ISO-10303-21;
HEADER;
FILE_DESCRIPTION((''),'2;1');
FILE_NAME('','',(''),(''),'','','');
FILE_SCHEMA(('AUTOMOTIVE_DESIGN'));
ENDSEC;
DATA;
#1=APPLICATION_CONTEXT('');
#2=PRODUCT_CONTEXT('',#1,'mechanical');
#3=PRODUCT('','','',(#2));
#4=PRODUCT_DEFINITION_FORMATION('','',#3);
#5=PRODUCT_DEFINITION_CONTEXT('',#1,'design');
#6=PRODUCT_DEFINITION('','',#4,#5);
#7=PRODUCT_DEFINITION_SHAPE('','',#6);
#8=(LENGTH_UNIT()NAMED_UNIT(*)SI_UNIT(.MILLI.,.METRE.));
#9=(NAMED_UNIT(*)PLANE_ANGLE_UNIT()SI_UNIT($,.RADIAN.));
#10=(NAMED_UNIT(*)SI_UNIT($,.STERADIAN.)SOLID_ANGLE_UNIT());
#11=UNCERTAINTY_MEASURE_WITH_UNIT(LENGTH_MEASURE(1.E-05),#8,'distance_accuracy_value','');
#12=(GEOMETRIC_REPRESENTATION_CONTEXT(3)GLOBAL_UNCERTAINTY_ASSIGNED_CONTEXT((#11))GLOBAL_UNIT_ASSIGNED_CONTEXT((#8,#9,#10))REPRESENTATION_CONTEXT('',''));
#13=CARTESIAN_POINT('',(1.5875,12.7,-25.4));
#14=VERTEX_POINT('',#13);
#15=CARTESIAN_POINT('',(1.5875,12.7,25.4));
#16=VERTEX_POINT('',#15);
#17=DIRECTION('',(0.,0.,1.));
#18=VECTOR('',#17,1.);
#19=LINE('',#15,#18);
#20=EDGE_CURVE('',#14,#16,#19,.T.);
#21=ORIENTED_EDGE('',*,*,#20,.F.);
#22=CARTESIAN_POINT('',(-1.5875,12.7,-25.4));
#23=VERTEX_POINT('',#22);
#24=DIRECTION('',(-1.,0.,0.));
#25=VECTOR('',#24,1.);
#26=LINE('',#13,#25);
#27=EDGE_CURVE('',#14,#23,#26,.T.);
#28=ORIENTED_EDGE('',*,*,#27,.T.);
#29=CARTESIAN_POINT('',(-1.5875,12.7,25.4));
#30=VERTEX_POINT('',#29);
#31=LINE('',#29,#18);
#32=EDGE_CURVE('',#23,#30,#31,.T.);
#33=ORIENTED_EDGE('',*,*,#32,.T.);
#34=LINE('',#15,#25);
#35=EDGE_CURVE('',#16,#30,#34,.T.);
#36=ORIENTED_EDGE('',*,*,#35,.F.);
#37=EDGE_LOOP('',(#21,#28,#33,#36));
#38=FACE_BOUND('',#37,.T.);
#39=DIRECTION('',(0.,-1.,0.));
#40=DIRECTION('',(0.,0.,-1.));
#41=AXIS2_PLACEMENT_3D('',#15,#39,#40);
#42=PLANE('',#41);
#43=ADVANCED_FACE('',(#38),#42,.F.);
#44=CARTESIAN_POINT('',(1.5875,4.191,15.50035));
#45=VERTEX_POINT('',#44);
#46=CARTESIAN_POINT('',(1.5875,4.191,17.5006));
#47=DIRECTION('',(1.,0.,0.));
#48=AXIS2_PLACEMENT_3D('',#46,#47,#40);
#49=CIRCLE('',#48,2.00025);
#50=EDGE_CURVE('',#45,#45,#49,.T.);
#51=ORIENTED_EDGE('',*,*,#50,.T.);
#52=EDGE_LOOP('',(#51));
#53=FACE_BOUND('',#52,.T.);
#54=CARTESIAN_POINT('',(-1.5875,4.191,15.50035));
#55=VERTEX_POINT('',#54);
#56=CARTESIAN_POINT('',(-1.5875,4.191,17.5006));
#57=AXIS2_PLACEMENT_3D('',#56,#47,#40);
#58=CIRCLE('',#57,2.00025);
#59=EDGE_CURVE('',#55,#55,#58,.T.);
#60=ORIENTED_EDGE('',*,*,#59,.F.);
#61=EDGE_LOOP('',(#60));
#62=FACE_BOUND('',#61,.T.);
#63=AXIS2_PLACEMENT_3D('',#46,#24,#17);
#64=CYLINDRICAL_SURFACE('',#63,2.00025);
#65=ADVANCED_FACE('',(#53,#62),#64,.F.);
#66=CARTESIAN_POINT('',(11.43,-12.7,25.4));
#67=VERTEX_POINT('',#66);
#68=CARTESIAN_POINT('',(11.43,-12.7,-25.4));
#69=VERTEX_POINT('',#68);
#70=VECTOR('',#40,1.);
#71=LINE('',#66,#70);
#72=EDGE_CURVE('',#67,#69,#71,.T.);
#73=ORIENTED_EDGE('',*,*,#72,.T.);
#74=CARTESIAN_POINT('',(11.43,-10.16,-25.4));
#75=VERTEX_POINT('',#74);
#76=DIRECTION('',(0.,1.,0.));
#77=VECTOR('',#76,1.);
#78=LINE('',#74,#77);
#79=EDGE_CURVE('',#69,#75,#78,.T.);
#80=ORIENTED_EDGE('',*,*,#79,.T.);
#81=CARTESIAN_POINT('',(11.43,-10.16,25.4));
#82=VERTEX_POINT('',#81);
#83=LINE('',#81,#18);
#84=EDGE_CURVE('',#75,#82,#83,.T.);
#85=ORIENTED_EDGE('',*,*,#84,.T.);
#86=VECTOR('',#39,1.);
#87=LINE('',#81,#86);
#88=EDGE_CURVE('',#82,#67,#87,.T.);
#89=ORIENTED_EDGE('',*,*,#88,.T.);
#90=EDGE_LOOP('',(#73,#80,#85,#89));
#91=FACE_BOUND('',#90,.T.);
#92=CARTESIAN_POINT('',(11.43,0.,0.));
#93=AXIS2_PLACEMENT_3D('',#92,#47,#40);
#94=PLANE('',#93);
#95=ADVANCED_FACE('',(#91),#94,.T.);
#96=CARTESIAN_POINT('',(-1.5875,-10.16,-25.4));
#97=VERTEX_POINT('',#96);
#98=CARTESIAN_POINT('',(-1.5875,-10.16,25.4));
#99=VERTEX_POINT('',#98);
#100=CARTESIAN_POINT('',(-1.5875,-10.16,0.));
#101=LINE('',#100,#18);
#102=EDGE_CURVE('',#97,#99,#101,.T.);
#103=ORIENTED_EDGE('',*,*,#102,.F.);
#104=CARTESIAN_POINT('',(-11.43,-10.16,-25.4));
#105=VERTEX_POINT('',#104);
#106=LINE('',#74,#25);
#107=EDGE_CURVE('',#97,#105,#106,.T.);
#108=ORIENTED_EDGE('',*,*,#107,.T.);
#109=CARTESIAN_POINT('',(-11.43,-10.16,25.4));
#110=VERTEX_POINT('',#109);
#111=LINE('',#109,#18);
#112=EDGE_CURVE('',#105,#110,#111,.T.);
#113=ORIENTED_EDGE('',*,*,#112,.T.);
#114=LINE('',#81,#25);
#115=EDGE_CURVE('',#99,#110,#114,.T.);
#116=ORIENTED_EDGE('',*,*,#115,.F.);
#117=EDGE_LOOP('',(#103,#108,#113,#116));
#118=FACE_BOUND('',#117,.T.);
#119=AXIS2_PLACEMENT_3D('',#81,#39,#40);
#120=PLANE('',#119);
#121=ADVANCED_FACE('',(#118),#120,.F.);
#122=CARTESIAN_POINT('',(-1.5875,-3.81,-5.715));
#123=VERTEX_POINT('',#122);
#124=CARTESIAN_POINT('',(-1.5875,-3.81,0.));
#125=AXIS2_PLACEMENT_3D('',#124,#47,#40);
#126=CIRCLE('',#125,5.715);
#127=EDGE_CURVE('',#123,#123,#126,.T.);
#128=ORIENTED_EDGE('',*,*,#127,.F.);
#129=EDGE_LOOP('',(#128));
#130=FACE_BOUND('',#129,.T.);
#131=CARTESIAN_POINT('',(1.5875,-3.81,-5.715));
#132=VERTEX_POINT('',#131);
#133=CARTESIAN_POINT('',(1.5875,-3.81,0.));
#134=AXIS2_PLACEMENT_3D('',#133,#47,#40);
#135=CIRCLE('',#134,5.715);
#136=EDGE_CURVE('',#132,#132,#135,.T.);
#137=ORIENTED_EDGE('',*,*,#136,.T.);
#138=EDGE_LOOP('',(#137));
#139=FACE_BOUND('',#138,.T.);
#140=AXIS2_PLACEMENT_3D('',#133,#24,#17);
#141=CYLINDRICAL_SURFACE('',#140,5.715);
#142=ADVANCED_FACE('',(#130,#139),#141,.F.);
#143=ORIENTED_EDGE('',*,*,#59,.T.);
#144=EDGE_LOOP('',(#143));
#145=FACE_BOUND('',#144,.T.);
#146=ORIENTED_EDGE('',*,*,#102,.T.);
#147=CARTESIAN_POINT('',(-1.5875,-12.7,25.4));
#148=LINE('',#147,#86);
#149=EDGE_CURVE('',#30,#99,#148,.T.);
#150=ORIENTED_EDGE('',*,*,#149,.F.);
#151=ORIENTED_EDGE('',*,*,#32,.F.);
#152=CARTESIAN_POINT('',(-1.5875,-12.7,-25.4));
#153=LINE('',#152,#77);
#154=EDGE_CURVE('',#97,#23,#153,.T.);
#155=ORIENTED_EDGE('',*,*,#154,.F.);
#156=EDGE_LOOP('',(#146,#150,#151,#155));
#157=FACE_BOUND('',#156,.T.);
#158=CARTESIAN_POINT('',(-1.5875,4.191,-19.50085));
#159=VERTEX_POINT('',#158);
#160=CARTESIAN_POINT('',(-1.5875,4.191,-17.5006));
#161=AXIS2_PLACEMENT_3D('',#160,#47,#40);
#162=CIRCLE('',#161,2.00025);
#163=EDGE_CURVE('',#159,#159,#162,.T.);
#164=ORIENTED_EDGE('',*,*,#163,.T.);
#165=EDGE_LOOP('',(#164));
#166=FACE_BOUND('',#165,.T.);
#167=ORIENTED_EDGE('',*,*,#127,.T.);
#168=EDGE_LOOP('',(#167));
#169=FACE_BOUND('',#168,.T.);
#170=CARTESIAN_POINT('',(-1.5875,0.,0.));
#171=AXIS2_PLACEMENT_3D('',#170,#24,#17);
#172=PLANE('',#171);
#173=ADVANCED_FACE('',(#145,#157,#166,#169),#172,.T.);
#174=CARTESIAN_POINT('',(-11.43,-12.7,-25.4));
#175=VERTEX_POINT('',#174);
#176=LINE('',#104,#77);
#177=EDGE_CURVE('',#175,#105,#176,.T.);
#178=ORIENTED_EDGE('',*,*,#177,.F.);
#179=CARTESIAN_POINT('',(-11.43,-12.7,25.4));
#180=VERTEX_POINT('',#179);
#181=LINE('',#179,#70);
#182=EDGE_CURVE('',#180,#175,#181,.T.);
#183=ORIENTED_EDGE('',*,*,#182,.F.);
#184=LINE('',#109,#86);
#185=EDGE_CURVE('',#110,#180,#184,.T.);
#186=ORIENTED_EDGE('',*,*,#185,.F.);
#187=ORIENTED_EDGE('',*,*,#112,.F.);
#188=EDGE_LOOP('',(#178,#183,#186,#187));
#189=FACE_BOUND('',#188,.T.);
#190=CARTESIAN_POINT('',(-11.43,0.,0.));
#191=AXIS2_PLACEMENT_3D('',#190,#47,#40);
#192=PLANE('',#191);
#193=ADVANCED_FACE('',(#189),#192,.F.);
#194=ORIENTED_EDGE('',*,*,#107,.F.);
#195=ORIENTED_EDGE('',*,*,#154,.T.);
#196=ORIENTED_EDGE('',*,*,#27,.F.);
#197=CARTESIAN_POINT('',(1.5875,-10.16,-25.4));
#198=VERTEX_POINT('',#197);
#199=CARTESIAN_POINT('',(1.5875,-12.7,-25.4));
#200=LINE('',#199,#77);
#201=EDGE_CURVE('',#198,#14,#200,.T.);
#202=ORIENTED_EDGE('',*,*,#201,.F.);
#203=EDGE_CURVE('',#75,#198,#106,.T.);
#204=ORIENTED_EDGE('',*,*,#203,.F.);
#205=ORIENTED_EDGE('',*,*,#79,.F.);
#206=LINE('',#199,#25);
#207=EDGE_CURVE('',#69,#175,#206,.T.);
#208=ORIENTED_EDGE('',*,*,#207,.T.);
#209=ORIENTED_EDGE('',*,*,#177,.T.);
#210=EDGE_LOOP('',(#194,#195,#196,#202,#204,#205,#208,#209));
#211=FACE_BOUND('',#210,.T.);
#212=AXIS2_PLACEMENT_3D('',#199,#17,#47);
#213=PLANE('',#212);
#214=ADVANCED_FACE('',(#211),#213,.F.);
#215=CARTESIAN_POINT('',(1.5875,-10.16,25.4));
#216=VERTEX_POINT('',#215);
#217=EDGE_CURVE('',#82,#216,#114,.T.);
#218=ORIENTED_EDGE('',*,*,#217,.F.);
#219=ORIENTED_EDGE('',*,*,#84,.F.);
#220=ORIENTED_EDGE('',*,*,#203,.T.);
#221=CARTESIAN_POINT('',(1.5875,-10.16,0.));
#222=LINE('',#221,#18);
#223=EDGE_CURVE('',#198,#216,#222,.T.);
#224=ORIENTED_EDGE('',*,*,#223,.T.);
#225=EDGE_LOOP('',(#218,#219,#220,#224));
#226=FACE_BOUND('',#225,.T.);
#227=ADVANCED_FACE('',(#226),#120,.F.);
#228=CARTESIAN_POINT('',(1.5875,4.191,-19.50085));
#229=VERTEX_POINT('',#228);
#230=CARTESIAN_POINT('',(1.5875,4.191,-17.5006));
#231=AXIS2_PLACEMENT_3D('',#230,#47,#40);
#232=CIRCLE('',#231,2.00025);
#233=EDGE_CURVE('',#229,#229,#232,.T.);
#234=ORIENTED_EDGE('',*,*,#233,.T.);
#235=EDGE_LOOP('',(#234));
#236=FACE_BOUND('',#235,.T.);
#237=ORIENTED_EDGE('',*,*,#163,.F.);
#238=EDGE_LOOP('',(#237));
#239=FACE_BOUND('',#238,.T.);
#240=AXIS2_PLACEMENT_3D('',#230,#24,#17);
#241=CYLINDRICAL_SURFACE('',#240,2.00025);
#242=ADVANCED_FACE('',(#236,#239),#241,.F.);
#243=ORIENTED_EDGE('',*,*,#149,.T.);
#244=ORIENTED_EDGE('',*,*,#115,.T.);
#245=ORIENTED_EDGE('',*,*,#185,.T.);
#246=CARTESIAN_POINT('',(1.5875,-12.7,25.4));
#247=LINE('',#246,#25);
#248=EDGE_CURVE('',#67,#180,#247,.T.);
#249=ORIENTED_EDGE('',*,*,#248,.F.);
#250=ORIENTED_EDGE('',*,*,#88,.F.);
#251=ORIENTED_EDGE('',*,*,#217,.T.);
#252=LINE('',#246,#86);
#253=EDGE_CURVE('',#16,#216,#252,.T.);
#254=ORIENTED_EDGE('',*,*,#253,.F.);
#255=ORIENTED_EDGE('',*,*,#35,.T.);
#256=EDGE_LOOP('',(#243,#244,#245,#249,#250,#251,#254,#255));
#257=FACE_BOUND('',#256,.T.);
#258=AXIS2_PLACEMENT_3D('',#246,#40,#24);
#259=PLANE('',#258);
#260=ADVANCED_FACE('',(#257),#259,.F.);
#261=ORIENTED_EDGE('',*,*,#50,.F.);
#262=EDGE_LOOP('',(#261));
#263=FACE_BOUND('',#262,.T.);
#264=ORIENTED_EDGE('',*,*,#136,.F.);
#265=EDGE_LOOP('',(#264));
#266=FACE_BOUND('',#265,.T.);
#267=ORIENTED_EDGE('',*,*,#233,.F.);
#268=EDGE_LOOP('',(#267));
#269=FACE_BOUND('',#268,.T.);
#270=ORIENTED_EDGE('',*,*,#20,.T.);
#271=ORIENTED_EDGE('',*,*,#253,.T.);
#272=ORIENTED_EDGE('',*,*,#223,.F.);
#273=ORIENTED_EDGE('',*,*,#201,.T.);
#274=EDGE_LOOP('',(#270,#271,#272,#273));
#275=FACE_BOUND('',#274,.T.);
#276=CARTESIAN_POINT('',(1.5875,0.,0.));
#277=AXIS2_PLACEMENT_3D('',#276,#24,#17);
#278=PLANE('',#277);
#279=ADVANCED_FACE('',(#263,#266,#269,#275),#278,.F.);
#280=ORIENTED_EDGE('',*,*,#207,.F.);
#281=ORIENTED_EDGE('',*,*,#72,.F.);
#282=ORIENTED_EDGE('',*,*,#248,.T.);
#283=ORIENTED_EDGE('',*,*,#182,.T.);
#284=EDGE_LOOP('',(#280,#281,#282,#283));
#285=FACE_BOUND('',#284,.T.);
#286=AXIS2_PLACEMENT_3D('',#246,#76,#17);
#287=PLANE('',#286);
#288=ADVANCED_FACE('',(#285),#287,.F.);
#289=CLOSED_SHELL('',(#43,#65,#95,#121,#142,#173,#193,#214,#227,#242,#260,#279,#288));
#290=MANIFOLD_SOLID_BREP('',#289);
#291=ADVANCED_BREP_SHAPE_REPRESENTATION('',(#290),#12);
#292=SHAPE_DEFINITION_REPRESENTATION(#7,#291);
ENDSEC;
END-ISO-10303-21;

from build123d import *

# Parameters (mm, degrees)
SKETCH3_W           = 50.8
SKETCH3_H           = 25.4
SKETCH3_R           = 2.00025
SKETCH3_R_2         = 5.715
BOSS_EXTRUDE1_DEPTH = 1.5875
SKETCH4_W           = 50.8
SKETCH4_H           = 2.54
BOSS_EXTRUDE2_DEPTH = 11.43


with BuildPart() as part:
    # Sketch3 → Boss-Extrude1 (new, symmetric)
    with BuildSketch(Plane(origin=(0, 0, 0), x_dir=(0, 0, -1), z_dir=(1, 0, 0))):
        Rectangle(SKETCH3_W, SKETCH3_H)
        with Locations((-17.5006, 4.191)):
            Circle(SKETCH3_R, mode=Mode.SUBTRACT)
        with Locations((17.5006, 4.191)):
            Circle(SKETCH3_R, mode=Mode.SUBTRACT)
        with Locations((0, -3.81)):
            Circle(SKETCH3_R_2, mode=Mode.SUBTRACT)
    extrude(amount=BOSS_EXTRUDE1_DEPTH, both=True)

    # Sketch4 → Boss-Extrude2 (add, symmetric)
    with BuildSketch(Plane(origin=(0, 0, 0), x_dir=(0, 0, -1), z_dir=(1, 0, 0))):
        with Locations((0, -11.43)):
            Rectangle(SKETCH4_W, SKETCH4_H)
    extrude(amount=BOSS_EXTRUDE2_DEPTH, both=True)


solid = part.part
